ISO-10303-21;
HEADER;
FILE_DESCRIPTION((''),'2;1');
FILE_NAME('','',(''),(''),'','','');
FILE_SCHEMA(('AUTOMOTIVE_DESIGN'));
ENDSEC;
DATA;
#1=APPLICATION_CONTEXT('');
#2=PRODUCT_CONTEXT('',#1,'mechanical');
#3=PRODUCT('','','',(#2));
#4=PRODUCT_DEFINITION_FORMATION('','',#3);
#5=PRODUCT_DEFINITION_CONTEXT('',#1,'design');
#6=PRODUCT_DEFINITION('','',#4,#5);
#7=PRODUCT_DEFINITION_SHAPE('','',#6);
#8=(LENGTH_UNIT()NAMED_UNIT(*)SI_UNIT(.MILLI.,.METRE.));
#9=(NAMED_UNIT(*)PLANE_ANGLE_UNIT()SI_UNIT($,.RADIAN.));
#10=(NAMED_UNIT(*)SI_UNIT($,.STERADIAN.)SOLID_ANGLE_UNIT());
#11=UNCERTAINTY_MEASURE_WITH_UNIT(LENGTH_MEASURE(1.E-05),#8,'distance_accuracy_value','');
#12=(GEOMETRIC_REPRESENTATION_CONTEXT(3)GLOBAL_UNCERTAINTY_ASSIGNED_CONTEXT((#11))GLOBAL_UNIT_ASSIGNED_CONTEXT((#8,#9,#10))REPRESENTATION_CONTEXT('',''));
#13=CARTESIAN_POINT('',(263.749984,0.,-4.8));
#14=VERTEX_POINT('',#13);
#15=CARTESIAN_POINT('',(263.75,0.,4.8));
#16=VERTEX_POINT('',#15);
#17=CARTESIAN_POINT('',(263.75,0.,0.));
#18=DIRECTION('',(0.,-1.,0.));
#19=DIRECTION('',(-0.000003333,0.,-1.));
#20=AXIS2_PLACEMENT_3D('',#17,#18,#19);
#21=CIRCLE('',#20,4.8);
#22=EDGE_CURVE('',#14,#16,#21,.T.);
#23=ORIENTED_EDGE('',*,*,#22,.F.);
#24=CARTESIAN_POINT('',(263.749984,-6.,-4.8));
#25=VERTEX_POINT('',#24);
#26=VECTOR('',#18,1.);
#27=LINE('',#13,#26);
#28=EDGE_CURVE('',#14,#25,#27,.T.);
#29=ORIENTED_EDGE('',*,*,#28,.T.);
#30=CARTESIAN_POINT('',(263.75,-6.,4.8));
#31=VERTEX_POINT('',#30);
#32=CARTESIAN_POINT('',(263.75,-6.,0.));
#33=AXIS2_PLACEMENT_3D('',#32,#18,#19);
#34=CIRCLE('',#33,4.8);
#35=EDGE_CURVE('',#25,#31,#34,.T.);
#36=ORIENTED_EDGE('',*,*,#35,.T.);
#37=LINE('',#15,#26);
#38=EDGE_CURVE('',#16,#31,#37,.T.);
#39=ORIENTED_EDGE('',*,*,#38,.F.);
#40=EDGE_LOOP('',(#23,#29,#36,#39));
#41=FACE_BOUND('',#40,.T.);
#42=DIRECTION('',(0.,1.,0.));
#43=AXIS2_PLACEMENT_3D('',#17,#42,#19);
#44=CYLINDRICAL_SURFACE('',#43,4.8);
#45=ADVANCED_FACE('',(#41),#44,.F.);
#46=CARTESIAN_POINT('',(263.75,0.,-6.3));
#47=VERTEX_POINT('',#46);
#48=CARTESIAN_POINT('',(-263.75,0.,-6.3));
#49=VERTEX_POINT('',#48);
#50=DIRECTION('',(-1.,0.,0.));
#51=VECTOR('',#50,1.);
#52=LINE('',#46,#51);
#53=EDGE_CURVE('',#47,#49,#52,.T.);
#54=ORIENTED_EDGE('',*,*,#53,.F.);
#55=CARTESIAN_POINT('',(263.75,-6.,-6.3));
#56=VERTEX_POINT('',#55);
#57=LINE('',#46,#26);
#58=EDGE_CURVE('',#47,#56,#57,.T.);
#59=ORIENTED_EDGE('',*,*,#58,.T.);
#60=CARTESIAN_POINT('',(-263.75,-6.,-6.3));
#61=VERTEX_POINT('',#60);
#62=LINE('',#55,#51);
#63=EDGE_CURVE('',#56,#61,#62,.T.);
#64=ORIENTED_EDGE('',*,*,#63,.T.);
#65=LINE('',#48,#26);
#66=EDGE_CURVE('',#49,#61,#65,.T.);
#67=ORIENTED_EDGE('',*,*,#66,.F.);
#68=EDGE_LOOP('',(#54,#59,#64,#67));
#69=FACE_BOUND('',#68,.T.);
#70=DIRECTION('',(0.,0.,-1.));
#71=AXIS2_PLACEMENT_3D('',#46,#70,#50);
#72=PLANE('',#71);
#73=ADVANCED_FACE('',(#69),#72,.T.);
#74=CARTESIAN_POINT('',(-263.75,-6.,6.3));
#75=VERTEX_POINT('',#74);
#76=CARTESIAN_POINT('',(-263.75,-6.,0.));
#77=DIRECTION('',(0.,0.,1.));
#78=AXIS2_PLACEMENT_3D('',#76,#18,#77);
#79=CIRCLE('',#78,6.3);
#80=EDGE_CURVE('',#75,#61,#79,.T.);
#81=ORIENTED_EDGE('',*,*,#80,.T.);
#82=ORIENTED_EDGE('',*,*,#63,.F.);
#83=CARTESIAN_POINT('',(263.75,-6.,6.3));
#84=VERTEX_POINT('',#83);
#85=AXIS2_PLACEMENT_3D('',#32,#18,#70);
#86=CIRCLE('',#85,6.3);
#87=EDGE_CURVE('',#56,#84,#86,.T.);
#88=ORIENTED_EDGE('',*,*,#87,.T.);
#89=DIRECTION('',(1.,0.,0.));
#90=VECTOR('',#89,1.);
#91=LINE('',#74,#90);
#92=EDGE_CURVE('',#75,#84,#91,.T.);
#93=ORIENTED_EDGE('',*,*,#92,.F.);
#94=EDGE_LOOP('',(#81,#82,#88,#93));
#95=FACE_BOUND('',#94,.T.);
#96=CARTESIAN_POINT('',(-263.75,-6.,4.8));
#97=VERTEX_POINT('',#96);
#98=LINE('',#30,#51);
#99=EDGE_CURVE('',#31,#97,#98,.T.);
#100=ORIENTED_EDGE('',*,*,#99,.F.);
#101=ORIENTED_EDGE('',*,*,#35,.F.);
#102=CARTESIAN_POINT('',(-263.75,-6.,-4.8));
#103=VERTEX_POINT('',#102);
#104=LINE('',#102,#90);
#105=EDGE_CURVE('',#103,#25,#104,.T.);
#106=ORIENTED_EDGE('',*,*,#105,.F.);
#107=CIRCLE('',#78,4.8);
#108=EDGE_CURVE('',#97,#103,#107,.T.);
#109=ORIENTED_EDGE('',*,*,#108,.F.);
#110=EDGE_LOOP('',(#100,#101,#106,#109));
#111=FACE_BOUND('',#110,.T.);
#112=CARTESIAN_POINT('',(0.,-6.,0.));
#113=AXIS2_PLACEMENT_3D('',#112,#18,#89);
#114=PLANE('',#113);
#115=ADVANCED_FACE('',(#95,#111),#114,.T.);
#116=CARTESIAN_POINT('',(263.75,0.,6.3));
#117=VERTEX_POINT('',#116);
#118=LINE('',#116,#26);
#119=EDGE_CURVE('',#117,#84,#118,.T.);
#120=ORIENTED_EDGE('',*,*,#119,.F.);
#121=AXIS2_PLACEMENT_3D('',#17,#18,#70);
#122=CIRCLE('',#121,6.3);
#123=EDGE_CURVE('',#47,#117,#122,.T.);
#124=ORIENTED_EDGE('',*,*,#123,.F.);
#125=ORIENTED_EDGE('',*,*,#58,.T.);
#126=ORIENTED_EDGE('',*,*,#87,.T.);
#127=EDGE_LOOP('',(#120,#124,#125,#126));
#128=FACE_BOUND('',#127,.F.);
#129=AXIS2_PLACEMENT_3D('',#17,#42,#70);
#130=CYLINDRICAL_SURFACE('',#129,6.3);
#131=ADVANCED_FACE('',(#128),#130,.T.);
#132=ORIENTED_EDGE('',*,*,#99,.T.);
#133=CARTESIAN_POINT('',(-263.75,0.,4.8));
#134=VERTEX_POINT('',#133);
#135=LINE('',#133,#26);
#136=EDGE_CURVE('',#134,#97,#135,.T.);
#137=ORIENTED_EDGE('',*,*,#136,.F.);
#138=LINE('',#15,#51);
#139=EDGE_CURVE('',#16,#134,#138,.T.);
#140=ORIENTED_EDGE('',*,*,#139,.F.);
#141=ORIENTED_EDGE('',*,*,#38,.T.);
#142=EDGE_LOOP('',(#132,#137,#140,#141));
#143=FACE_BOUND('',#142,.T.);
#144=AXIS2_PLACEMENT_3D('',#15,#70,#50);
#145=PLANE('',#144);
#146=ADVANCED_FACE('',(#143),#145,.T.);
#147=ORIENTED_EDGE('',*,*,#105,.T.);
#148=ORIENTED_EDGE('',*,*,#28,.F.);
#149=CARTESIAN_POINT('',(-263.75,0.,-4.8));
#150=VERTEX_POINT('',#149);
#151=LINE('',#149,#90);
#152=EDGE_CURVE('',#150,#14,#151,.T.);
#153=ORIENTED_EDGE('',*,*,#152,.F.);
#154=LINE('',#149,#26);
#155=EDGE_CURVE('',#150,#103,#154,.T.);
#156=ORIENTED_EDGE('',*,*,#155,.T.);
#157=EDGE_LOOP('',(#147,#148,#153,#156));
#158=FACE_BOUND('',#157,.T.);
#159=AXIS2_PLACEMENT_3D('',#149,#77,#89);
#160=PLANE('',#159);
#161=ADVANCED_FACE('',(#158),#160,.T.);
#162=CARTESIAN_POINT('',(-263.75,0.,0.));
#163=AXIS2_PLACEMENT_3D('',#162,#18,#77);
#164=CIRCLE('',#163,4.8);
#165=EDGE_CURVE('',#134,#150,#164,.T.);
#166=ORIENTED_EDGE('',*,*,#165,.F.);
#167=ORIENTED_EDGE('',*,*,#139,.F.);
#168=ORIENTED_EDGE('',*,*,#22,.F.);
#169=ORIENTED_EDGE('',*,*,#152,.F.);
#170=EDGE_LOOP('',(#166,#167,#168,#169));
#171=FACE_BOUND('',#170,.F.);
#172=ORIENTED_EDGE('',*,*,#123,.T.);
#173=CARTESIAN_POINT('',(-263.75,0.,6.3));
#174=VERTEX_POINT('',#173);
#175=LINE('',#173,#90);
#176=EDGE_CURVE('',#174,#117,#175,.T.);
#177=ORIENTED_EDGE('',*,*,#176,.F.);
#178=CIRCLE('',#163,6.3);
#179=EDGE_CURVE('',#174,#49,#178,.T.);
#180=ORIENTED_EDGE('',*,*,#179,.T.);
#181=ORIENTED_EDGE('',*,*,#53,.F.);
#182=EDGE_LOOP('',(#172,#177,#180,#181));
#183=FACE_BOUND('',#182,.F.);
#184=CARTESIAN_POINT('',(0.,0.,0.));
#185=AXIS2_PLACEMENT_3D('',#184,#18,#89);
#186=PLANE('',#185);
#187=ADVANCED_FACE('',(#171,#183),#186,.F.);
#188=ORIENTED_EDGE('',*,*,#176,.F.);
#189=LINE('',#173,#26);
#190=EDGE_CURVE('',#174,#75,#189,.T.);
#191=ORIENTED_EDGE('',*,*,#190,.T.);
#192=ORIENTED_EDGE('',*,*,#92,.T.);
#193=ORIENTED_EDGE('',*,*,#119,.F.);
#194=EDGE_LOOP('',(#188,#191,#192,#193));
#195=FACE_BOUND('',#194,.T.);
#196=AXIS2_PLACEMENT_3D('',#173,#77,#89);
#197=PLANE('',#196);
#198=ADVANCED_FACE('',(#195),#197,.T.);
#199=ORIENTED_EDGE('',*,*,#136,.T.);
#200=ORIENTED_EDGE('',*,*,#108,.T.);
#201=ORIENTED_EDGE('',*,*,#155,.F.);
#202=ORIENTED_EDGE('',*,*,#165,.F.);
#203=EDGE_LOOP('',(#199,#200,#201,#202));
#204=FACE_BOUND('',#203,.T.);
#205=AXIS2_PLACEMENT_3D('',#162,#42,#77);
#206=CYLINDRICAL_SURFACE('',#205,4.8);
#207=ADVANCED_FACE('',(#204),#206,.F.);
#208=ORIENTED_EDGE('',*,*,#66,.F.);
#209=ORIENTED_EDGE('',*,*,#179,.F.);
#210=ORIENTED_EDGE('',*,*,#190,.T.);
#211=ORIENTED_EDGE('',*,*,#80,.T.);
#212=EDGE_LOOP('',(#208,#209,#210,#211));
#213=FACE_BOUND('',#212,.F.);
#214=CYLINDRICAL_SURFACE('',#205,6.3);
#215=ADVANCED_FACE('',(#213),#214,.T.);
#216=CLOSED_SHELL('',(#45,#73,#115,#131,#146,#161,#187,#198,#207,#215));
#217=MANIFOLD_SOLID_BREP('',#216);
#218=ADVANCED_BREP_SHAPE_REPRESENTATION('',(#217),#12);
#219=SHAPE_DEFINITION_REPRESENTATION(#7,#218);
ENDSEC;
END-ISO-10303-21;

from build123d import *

# Parameters (mm, degrees)
PAD_DEPTH = 6


with BuildPart() as part:
    # Sketch → Pad (new body)
    with BuildSketch(Plane.XZ):
        with BuildLine():
            ThreePointArc((-263.75, 6.3), (-270.05, 0), (-263.75, -6.3))
            Line((263.75, -6.3), (-263.75, -6.3))
            ThreePointArc((263.75, -6.3), (270.05, 0), (263.75, 6.3))
            Line((-263.75, 6.3), (263.75, 6.3))
        make_face()
        with BuildLine():
            ThreePointArc((-263.75, 4.8), (-268.55, 0), (-263.75, -4.8))
            Line((-263.75, -4.8), (263.749984, -4.8))
            ThreePointArc((263.749984, -4.8), (268.55, -8e-06), (263.75, 4.8))
            Line((263.75, 4.8), (-263.75, 4.8))
        make_face(mode=Mode.SUBTRACT)
    extrude(amount=PAD_DEPTH)


solid = part.part
